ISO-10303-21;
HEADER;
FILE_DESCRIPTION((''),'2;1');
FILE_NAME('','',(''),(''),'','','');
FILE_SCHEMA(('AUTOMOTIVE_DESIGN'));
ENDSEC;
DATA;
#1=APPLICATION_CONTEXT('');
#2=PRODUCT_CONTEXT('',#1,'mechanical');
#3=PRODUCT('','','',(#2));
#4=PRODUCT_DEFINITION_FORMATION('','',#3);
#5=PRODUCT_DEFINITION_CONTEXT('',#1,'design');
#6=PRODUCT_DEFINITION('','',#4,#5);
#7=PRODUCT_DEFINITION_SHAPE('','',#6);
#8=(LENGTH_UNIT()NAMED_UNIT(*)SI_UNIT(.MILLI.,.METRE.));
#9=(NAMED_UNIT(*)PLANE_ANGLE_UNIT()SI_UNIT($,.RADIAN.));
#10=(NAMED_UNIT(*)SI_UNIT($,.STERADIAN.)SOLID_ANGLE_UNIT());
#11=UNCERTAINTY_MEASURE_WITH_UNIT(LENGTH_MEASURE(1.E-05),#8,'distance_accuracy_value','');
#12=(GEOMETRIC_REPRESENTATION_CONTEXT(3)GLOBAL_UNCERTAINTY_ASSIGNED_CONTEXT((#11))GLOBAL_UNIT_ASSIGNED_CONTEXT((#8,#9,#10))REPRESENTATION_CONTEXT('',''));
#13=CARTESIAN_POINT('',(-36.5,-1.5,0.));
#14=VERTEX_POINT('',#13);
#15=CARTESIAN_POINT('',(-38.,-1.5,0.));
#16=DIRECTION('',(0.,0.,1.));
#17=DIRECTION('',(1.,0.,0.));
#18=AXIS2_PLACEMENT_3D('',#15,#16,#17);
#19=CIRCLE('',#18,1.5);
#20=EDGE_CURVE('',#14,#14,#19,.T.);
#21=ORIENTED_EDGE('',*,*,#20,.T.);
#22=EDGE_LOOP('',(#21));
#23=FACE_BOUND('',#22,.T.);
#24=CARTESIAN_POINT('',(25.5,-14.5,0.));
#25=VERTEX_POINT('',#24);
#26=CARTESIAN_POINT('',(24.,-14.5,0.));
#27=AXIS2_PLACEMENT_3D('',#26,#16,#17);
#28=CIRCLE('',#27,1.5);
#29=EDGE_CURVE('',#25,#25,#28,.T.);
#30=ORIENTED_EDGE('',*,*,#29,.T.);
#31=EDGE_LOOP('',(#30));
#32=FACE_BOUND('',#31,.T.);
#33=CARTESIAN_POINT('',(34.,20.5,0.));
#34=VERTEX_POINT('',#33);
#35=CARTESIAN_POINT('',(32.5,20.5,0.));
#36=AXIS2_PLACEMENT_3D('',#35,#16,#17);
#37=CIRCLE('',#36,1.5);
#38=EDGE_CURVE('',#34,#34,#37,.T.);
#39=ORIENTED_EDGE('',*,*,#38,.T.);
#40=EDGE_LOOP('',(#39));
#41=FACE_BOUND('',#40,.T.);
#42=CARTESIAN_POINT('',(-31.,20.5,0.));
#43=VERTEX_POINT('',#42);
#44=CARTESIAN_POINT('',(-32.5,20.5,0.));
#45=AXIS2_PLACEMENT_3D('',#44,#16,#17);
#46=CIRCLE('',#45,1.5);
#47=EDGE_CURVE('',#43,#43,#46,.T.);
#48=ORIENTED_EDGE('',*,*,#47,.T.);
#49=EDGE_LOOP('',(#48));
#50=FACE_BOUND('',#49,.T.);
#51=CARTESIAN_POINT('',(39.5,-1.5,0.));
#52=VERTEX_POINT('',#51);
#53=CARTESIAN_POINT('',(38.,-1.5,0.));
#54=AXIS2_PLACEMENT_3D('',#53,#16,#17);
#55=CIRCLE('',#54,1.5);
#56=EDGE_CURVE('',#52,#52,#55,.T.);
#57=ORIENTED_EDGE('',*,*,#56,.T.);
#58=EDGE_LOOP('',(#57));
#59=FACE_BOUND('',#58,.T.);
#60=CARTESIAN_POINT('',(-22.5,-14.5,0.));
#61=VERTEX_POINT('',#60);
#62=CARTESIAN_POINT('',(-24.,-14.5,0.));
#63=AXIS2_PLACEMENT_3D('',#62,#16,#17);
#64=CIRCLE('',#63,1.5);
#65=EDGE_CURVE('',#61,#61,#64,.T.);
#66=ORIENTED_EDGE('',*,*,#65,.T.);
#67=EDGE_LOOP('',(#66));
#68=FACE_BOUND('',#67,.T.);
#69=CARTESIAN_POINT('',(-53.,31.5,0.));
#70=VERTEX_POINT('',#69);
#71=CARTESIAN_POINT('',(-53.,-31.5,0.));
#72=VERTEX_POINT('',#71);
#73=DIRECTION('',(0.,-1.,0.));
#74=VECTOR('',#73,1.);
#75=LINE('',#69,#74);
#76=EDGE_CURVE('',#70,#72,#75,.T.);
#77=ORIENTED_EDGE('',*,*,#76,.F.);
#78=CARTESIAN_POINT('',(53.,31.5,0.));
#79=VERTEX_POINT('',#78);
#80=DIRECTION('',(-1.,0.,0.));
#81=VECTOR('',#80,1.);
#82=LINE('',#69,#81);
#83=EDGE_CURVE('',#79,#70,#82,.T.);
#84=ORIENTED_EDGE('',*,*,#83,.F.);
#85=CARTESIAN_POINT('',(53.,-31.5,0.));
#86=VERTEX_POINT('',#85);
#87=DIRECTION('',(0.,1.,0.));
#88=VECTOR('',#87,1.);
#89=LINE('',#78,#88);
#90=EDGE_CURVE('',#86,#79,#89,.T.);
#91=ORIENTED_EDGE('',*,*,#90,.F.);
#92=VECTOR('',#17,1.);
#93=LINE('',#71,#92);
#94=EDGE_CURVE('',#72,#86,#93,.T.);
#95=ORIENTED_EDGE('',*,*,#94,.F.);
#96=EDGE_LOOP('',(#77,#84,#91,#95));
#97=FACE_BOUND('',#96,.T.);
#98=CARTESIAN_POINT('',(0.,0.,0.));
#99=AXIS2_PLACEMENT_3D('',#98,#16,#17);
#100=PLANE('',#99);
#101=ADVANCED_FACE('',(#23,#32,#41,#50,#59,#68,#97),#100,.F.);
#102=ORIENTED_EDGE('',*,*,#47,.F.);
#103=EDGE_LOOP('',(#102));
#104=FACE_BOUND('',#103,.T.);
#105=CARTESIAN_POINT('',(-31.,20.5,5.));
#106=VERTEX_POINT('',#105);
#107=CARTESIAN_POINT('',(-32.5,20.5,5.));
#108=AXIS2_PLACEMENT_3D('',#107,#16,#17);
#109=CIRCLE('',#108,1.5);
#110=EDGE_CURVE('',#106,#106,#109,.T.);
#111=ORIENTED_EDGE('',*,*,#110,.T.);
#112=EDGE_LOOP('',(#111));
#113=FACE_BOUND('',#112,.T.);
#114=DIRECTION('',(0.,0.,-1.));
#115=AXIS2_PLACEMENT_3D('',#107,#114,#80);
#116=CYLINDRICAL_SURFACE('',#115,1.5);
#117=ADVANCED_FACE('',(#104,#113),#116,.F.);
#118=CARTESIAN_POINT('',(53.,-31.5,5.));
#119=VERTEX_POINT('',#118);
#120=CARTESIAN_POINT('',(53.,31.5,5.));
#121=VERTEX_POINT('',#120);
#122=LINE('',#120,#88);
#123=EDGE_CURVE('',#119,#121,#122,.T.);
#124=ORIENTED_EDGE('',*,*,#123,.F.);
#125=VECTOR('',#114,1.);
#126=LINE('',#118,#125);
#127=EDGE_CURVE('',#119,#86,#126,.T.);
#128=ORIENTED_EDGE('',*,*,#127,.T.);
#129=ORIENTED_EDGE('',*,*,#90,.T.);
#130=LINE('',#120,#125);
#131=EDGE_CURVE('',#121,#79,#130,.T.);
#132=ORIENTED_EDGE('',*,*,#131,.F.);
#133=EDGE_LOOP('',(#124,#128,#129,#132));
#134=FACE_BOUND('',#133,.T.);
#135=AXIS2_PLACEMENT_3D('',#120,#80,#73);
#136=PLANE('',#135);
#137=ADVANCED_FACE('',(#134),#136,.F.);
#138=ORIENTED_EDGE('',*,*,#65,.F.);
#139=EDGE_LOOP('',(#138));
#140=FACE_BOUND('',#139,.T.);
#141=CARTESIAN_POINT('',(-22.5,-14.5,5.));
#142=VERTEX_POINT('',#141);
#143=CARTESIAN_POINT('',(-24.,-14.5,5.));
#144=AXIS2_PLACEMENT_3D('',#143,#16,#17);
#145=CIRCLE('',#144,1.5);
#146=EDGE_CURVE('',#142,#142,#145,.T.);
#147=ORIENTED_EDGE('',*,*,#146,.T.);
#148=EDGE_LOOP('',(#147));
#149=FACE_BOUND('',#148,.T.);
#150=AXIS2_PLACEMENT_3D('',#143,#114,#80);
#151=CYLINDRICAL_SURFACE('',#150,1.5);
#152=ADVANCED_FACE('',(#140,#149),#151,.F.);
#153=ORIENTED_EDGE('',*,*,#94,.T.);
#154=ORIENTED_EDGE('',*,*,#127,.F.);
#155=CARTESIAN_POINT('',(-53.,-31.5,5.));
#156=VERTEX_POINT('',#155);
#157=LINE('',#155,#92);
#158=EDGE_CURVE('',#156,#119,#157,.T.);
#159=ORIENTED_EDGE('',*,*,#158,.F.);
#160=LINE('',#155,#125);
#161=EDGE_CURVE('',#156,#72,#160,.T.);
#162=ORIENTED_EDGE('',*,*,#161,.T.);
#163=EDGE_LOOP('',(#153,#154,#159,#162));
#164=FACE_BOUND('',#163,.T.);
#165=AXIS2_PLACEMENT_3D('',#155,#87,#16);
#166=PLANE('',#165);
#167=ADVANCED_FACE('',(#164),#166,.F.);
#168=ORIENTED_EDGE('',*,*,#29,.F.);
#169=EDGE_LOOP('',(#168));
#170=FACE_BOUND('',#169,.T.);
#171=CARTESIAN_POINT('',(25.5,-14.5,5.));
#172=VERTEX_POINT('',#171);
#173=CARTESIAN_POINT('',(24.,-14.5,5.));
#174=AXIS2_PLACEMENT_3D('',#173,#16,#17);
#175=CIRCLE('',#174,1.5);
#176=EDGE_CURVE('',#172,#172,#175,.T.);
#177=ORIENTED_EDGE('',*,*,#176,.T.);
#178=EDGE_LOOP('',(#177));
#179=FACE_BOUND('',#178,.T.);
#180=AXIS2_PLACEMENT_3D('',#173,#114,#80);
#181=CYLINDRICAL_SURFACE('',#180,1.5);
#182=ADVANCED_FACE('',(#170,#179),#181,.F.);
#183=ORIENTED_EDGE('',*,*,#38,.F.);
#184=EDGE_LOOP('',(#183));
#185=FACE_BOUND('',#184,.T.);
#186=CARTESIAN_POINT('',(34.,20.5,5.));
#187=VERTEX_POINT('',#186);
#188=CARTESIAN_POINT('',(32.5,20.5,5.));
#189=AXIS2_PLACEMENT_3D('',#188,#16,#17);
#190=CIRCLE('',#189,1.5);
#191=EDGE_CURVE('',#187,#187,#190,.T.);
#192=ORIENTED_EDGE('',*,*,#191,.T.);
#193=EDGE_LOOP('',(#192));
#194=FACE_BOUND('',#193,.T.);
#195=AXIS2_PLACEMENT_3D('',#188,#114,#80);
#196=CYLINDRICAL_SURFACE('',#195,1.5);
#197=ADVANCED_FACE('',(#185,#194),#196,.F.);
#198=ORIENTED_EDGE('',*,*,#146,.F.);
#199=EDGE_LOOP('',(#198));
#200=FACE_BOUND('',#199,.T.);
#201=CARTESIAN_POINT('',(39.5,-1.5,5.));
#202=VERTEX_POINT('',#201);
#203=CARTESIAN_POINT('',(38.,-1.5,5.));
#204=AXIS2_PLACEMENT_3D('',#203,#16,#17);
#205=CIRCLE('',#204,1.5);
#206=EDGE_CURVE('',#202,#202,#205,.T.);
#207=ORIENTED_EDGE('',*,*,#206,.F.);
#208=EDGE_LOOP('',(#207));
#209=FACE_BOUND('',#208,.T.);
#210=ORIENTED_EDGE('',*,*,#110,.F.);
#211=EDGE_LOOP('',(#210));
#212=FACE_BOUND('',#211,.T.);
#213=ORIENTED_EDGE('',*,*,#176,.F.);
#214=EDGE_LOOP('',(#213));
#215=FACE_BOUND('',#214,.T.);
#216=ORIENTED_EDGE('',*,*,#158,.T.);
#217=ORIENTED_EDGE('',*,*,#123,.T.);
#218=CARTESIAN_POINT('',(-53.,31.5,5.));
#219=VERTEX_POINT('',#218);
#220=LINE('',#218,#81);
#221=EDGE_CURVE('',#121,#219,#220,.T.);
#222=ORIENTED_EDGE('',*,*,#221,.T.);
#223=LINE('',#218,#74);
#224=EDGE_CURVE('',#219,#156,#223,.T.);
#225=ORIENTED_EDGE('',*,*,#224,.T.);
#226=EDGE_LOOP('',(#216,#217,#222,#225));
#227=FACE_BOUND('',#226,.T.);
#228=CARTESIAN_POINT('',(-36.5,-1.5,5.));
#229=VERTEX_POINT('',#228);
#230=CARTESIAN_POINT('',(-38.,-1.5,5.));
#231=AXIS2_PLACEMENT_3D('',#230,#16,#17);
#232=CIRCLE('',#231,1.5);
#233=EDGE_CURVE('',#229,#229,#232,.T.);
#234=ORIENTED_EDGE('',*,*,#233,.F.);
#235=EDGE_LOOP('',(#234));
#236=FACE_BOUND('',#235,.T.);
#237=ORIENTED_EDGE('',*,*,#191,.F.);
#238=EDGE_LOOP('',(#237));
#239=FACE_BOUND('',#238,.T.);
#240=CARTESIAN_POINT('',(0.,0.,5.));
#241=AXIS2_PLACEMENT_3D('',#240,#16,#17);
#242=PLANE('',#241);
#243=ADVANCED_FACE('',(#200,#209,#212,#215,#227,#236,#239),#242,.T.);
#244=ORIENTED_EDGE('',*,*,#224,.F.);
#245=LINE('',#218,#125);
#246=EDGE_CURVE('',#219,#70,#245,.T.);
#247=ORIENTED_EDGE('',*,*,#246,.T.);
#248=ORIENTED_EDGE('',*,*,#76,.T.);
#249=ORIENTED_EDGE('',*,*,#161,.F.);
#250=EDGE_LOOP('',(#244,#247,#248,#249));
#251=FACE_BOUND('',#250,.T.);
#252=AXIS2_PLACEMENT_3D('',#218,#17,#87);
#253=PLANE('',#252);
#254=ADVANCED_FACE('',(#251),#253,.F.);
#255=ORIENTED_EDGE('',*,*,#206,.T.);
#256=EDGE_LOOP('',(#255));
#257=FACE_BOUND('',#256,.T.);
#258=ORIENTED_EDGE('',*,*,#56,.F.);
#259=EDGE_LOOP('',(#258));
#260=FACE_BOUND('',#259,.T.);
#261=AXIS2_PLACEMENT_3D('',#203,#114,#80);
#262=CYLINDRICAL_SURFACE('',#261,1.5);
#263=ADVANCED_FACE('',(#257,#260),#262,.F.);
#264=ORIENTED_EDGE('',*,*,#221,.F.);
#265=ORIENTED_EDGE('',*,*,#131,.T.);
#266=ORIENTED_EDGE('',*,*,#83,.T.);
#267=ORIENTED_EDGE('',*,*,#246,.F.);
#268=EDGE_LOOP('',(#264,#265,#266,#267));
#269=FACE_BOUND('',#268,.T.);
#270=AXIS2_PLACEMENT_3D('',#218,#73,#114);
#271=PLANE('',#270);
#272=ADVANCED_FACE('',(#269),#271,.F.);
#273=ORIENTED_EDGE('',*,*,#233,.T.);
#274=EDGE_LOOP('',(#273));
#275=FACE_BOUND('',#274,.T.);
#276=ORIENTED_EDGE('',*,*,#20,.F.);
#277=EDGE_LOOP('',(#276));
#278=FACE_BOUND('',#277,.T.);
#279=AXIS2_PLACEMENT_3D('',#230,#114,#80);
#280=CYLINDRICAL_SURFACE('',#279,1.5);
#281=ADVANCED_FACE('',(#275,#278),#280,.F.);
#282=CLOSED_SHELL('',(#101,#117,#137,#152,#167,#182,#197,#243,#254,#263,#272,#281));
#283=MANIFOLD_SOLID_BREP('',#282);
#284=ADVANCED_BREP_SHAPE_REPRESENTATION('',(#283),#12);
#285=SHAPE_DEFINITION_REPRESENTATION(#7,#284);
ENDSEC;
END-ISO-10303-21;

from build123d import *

# Parameters (mm, degrees)
SKETCH1_W           = 106
SKETCH1_H           = 63
BOSS_EXTRUDE1_DEPTH = 5
SKETCH2_R           = 1.5
CUT_EXTRUDE2_DEPTH  = 6


with BuildPart() as part:
    # Sketch1 → Boss-Extrude1 (new body)
    with BuildSketch(Plane.XY):
        Rectangle(SKETCH1_W, SKETCH1_H)
    extrude(amount=BOSS_EXTRUDE1_DEPTH)

    # Sketch2 → Cut-Extrude2 (cut, through all)
    with BuildSketch(Plane.XY):
        with Locations((-24, -14.5)):
            Circle(SKETCH2_R)
        with Locations((24, -14.5)):
            Circle(SKETCH2_R)
        with Locations((-38, -1.5)):
            Circle(SKETCH2_R)
        with Locations((38, -1.5)):
            Circle(SKETCH2_R)
        with Locations((-32.5, 20.5)):
            Circle(SKETCH2_R)
        with Locations((32.5, 20.5)):
            Circle(SKETCH2_R)
    extrude(amount=CUT_EXTRUDE2_DEPTH, mode=Mode.SUBTRACT)


solid = part.part
